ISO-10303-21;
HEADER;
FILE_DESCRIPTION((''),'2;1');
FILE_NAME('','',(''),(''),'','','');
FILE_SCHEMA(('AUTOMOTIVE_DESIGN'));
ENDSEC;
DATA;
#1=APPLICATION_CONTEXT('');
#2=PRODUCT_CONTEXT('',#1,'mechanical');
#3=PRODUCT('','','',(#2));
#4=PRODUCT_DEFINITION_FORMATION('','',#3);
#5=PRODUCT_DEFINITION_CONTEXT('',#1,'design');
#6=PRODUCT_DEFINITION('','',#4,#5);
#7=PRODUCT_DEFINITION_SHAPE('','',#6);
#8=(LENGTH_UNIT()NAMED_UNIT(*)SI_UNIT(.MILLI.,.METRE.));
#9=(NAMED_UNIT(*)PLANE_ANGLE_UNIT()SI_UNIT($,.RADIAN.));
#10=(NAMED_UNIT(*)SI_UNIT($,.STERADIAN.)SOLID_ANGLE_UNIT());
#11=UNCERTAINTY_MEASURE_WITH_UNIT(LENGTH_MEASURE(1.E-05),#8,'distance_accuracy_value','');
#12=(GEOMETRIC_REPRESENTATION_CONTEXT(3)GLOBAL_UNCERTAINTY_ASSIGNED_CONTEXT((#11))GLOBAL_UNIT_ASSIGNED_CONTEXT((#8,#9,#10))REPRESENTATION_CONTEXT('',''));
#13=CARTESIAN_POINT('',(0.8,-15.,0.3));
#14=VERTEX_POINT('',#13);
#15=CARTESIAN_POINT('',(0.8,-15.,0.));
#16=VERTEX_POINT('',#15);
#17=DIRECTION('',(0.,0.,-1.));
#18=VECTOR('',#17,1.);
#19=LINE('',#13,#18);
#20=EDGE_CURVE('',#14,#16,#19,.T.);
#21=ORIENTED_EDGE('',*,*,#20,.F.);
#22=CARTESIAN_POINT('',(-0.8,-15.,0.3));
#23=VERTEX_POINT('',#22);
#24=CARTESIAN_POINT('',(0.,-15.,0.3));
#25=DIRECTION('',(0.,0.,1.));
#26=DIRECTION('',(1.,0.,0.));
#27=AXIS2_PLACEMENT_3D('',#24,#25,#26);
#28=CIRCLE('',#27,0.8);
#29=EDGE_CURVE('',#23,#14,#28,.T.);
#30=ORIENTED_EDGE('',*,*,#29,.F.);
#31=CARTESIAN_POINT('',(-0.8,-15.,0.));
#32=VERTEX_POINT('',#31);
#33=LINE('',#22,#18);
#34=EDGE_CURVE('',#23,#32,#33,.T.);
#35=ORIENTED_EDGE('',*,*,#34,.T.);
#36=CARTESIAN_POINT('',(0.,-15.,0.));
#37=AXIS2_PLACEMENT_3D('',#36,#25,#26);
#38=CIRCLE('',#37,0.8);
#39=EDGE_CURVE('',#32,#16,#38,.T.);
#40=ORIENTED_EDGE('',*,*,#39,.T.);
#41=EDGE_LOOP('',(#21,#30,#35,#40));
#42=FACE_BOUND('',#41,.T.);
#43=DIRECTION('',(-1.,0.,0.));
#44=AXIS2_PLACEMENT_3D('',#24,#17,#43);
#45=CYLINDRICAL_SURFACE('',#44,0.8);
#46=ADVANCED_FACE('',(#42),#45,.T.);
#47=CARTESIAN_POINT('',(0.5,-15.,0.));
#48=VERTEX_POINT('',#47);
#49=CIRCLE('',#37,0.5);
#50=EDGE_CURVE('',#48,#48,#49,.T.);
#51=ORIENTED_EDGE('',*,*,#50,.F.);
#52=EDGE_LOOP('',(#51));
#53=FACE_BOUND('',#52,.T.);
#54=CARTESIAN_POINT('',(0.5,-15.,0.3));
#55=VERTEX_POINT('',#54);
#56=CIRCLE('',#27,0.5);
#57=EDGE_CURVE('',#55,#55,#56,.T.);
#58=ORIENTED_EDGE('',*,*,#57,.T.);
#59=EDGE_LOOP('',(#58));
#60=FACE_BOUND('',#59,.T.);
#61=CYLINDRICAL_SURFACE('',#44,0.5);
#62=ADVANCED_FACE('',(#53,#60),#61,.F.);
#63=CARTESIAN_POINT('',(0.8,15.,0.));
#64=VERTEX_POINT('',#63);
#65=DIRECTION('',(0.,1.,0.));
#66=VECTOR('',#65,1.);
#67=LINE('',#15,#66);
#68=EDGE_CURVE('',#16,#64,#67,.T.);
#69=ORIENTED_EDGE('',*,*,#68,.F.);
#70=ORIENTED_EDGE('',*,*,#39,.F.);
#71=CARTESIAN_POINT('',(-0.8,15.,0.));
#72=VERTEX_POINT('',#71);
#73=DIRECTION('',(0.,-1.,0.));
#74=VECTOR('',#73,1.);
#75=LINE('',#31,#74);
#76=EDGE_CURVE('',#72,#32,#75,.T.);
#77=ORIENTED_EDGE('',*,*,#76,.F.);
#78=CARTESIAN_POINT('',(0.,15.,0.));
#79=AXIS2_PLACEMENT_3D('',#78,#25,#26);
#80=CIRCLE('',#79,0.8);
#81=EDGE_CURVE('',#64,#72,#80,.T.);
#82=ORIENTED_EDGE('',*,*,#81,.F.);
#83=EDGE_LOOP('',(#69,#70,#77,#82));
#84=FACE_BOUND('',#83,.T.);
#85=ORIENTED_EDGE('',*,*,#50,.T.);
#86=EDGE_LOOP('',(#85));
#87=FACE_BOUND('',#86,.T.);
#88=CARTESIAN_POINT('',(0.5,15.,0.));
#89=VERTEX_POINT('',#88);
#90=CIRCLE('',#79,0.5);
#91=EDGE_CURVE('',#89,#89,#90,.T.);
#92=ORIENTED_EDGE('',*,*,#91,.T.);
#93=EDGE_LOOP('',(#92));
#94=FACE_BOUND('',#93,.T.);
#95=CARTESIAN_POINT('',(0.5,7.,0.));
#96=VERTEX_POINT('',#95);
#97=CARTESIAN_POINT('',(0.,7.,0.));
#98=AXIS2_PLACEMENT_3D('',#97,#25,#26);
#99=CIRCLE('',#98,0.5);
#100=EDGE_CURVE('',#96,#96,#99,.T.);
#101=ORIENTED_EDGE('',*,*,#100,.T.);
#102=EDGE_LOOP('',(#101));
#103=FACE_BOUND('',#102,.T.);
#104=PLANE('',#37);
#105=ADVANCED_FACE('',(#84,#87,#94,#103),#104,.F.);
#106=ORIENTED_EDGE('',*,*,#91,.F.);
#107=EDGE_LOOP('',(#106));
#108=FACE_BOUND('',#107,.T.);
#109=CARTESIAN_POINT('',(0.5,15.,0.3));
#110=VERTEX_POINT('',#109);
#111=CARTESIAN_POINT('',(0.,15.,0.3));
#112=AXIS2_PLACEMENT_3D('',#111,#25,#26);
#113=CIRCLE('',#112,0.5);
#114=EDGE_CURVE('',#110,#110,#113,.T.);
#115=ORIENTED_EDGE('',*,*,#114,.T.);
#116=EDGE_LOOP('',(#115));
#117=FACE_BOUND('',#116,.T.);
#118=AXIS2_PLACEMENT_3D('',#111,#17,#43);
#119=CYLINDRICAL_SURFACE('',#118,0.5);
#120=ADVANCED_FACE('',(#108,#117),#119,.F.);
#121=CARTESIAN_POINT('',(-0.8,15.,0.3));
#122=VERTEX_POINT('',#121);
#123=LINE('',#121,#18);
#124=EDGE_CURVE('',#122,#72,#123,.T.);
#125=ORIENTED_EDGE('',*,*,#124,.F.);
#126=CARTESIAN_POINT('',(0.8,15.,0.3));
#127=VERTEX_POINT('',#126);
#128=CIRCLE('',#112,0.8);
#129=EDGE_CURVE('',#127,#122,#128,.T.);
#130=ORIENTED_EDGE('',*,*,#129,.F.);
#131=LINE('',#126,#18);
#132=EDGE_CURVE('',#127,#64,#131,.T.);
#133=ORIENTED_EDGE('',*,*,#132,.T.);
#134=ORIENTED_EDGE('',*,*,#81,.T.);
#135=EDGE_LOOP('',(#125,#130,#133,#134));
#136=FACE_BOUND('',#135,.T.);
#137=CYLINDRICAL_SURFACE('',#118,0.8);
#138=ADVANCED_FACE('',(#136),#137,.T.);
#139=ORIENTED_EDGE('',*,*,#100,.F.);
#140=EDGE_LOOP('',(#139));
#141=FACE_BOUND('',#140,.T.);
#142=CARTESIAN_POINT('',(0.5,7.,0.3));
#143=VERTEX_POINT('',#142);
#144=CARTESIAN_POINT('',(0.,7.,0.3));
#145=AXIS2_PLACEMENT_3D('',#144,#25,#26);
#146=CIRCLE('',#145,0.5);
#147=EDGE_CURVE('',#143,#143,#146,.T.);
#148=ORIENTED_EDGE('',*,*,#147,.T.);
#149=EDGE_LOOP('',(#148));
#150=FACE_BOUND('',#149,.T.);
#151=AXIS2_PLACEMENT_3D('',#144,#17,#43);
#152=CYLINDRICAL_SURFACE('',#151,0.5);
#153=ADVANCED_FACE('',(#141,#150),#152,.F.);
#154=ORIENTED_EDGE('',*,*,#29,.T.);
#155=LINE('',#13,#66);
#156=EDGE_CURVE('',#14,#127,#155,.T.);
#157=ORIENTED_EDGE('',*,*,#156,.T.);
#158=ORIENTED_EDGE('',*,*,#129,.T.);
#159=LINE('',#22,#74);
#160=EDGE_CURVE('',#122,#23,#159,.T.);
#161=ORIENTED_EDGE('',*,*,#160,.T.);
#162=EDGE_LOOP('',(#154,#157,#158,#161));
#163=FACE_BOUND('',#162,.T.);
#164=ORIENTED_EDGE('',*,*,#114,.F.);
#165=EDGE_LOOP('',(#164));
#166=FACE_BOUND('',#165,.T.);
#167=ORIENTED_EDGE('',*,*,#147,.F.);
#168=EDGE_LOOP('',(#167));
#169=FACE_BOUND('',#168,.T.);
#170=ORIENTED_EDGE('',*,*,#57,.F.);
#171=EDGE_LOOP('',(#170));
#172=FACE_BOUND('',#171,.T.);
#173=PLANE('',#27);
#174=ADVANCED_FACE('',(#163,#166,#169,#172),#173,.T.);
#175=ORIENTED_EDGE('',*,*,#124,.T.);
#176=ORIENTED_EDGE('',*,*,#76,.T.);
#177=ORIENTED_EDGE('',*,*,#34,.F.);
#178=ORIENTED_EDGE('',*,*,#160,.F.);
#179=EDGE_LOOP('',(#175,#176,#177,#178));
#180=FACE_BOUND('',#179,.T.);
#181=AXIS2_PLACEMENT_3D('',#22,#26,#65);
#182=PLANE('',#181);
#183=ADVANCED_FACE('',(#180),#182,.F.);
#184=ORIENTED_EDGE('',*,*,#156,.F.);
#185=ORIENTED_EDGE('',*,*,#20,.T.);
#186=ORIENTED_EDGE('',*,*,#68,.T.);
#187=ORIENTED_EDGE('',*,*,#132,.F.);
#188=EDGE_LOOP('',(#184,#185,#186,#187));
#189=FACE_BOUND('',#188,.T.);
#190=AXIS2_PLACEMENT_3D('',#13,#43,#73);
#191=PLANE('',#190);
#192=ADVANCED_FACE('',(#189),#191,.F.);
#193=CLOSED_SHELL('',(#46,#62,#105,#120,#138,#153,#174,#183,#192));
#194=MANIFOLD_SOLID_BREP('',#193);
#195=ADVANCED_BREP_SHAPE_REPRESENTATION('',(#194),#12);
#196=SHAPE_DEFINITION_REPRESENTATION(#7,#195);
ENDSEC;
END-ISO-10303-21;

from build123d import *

# Parameters (mm, degrees)
SKETCH_1_R      = 0.5
EXTRUDE_1_DEPTH = 0.3


with BuildPart() as part:
    # 草圖1 → 填料-伸長1 (new body)
    with BuildSketch(Plane.XY):
        with BuildLine():
            Line((-0.8, -15), (-0.8, 15))
            ThreePointArc((-0.8, 15), (0, 15.8), (0.8, 15))
            Line((0.8, 15), (0.8, -15))
            ThreePointArc((0.8, -15), (0, -15.8), (-0.8, -15))
        make_face()
        with Locations((0, 15)):
            Circle(SKETCH_1_R, mode=Mode.SUBTRACT)
        with Locations((0, -15)):
            Circle(SKETCH_1_R, mode=Mode.SUBTRACT)
        with Locations((0, 7)):
            Circle(SKETCH_1_R, mode=Mode.SUBTRACT)
    extrude(amount=EXTRUDE_1_DEPTH)


solid = part.part
